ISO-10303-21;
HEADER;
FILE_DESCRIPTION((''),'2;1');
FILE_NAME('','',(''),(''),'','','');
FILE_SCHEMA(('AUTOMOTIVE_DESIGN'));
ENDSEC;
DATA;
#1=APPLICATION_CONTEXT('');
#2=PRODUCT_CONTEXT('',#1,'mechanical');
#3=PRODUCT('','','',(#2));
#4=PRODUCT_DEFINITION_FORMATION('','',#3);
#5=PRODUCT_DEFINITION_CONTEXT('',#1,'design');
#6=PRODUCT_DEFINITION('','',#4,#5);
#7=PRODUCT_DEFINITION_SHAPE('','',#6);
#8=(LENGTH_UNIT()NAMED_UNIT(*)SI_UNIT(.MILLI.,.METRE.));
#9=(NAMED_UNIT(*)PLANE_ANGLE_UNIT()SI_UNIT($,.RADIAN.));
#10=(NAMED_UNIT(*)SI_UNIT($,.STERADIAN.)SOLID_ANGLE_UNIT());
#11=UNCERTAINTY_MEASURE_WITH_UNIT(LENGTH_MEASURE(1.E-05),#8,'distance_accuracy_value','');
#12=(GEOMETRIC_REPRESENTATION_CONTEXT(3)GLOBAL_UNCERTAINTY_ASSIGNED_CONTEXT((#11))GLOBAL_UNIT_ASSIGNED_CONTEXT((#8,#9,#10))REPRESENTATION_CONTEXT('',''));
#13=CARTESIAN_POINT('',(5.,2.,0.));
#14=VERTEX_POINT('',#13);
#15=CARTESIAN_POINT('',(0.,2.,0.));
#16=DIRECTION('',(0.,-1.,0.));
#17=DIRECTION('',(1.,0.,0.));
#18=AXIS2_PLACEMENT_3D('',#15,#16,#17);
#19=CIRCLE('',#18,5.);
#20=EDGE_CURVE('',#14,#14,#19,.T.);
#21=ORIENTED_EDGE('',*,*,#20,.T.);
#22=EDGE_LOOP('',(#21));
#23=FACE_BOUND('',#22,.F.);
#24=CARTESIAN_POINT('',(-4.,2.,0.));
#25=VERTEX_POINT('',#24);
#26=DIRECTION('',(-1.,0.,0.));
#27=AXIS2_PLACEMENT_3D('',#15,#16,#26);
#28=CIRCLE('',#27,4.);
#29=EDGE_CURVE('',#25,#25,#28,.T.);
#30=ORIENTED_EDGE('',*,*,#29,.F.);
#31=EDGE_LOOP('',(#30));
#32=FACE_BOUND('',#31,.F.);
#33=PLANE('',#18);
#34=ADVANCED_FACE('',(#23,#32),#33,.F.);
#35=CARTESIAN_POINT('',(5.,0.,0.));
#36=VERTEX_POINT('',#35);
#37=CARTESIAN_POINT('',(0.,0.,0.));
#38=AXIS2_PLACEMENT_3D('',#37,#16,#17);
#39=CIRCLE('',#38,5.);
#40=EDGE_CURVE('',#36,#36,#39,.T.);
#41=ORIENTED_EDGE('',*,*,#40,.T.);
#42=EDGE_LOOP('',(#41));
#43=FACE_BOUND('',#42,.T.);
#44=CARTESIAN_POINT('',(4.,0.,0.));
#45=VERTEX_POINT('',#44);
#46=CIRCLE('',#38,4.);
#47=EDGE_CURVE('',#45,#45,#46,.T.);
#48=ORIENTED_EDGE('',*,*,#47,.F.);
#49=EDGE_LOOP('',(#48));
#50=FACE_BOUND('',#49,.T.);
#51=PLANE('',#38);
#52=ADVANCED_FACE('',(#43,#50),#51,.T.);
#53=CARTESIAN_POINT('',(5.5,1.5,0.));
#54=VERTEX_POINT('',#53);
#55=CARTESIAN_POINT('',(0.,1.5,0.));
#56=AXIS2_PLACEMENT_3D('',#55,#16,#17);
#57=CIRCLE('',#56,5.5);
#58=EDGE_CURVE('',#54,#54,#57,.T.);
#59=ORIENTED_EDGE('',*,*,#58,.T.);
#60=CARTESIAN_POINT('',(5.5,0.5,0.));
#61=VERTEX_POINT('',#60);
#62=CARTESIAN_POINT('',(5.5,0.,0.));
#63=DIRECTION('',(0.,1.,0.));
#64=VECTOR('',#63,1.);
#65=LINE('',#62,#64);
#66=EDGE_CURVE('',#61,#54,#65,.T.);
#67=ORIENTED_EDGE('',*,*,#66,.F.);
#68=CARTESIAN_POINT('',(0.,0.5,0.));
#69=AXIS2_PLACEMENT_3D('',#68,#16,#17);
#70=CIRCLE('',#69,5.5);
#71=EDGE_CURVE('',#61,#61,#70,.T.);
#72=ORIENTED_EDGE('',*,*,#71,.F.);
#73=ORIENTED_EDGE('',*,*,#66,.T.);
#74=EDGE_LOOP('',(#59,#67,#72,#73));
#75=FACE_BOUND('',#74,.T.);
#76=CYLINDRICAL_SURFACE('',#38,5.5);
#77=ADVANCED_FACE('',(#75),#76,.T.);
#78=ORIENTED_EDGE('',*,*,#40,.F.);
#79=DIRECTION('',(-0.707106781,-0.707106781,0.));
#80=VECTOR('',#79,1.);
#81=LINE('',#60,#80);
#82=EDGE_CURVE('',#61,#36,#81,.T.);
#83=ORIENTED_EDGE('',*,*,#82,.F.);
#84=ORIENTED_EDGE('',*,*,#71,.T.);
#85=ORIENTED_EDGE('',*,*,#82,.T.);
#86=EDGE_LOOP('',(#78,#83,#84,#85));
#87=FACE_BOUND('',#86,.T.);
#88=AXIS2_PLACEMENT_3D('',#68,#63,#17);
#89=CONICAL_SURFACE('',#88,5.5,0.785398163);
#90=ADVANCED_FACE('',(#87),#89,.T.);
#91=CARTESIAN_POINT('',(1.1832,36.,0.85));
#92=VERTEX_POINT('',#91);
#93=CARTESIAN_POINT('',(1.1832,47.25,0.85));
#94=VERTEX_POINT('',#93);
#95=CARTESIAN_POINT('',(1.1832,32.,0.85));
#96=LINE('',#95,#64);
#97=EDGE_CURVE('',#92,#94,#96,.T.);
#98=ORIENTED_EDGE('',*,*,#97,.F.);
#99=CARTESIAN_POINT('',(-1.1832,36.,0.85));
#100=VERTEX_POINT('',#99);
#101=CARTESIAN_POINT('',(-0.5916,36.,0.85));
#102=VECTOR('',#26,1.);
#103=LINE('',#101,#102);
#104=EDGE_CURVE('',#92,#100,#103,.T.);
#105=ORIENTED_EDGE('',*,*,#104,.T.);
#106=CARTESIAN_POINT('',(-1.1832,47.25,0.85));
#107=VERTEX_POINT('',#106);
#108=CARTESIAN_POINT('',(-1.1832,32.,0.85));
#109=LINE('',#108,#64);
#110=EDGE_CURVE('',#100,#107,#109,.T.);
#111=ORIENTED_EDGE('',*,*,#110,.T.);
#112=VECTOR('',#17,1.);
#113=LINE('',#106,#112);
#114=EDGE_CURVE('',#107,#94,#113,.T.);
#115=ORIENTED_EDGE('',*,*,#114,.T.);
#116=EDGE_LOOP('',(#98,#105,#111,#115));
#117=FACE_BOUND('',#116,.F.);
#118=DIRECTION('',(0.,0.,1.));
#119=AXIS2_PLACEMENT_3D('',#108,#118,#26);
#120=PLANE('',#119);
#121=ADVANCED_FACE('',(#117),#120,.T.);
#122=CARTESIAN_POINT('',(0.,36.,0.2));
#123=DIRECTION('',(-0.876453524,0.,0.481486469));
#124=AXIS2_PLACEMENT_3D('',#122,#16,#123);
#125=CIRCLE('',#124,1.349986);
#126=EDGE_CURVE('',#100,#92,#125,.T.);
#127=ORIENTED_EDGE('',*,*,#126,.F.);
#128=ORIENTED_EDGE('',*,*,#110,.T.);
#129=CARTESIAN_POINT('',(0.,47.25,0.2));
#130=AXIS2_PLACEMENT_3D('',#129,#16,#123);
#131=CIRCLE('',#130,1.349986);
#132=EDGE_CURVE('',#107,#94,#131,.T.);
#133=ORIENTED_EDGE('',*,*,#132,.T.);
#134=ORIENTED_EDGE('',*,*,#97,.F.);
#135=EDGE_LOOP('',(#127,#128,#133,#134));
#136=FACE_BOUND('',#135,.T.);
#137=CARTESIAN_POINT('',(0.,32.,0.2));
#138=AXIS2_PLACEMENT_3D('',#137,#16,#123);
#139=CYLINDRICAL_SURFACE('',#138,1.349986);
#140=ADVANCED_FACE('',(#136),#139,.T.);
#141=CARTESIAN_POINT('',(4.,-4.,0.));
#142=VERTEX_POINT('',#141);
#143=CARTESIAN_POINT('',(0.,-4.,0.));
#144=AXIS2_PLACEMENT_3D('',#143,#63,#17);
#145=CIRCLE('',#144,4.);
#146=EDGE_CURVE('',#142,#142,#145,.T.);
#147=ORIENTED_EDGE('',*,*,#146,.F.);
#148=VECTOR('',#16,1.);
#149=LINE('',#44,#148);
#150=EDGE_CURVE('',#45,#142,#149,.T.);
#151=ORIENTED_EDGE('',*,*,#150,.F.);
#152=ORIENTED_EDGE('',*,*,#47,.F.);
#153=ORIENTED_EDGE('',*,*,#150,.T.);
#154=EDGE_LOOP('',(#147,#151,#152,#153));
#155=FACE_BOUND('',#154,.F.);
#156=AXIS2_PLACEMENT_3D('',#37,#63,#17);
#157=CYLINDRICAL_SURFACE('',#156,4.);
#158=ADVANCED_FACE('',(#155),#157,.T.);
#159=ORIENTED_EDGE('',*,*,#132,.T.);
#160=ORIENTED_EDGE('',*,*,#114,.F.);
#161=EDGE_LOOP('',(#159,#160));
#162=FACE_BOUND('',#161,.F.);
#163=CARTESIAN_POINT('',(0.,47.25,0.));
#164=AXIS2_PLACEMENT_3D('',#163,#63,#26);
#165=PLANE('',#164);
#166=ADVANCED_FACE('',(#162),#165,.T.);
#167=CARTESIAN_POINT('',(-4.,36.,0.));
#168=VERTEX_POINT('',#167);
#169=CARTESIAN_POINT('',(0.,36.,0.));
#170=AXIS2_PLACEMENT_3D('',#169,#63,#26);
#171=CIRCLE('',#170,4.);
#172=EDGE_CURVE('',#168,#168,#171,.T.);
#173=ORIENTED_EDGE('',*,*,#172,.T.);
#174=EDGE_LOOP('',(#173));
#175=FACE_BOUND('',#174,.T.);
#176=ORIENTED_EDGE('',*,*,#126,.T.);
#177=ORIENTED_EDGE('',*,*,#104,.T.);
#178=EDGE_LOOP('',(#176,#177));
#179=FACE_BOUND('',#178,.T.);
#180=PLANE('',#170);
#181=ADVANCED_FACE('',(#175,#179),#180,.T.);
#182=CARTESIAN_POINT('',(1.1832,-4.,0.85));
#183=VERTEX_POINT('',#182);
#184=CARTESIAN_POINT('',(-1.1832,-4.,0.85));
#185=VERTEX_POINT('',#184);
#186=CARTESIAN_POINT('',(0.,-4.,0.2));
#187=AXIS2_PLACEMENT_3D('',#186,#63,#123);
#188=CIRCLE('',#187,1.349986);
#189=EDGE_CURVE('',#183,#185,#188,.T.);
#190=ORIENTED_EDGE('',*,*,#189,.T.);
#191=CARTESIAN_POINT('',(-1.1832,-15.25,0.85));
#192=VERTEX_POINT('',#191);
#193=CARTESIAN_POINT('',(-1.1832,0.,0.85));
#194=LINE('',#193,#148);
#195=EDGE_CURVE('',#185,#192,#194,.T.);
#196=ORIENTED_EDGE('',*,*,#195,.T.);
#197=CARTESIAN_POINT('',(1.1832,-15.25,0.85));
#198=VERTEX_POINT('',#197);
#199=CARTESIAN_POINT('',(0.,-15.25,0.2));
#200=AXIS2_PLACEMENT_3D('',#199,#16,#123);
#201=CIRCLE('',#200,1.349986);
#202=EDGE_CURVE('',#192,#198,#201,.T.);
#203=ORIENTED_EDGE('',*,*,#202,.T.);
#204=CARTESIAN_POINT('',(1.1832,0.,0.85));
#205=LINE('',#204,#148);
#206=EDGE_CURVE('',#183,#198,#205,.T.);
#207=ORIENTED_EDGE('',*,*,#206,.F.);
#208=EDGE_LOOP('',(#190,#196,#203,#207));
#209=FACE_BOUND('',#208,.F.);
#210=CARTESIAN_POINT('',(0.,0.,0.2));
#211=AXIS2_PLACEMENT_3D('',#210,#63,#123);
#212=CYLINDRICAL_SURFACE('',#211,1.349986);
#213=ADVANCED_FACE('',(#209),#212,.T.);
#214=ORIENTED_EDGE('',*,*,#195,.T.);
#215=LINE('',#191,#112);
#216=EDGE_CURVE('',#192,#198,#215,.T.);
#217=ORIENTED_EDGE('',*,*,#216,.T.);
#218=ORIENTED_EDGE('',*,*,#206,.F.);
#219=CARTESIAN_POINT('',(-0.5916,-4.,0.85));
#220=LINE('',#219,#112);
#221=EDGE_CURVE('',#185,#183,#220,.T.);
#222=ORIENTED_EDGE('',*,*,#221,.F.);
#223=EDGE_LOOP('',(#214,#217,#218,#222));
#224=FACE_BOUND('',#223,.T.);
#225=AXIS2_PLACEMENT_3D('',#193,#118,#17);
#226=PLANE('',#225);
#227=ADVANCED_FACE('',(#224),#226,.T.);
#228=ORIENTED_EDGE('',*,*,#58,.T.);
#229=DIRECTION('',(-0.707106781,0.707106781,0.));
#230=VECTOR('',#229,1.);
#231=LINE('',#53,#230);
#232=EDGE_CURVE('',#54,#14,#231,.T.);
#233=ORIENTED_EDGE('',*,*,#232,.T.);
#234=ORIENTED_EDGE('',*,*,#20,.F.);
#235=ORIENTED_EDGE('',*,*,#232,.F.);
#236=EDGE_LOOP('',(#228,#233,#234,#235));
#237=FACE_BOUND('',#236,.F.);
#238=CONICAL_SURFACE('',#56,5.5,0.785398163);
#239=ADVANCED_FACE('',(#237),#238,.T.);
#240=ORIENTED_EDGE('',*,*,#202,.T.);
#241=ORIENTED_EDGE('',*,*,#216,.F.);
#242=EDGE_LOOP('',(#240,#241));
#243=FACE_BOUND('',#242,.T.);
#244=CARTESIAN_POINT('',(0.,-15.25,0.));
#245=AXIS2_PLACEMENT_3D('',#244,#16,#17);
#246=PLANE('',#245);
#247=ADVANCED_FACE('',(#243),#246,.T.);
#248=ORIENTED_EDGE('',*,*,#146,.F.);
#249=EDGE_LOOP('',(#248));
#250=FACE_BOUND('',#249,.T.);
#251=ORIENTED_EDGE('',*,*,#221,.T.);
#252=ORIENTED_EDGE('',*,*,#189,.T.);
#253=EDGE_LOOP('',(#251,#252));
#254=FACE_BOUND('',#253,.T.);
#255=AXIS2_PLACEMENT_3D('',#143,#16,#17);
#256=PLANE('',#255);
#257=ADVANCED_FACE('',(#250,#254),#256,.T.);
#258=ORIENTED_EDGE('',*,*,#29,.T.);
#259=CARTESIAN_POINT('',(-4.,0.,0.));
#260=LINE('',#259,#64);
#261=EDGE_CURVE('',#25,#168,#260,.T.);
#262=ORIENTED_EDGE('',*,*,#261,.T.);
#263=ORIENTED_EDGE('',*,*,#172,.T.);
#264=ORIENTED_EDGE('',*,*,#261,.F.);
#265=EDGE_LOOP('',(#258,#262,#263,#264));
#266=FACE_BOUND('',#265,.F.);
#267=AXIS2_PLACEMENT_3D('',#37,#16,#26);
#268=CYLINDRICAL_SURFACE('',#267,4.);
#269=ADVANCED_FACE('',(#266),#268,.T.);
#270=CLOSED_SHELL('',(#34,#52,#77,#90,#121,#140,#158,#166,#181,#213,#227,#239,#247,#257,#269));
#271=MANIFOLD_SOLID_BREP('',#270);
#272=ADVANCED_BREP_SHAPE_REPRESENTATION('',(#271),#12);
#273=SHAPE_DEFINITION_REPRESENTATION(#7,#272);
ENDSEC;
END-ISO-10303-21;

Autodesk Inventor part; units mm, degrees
ref_plane "YZ Plane" through (0, 0, 0) normal (1, 0, 0) x (0, 1, 0)
ref_plane "XZ Plane" through (0, 0, 0) normal (0, 1, 0) x (-1, 0, 0)
sketch "Sketch1" plane through (0, 0, 0) normal (0, 1, 0) x (-1, 0, 0)
  circle A0 centre (0, 0) radius 4
  dimension "d0" = 8
extrude "Extrusion1" add sketch "Sketch1" along normal blind 36
sketch "Sketch3" plane through (0, 0, 0) normal (0, -1, 0) x (1, 0, 0)
  line L0 (-1.1832, 0.85) -> (1.1832, 0.85)
  arc A0 (-1.1832, 0.85) -> (1.1832, 0.85) centre (0, 0.2) ccw
  point P0 (0, 0)
  point P1 (0, 0)
  point P2 (0, 0.85)
  dimension "d16" = 1.35
  dimension "d17" = 0.2
  dimension "d39" = 2
extrude "Extrusion3" add sketch "Sketch3" along normal blind 15.25
sketch "Sketch5" plane through (0, 0, 0) normal (0, -1, 0) x (1, 0, 0)
  circle A0 centre (0, 0) radius 5.5
  dimension "d29" = 11
extrude "Extrusion5" add sketch "Sketch5" against normal blind 2
chamfer "Chamfer3" distance 0.5 angle 45 2 edges at (-5.5, 0, 0) (-5.5, 2, 0)
sketch "Sketch6" plane through (0, 0, 0) normal (0, -1, 0) x (1, 0, 0)
  circle A0 centre (0, 0) radius 5 projected
  line L0 (-7.7, 0) -> (7.7, 0) projected
  line L1 (0, -7.7) -> (0, 7.7) projected
  circle A1 centre (0, 0) radius 4
  dimension "d35" = 8
extrude "Extrusion6" add sketch "Sketch6" along normal blind 4 contours A1 L1 L0 | L0 L1 A1 | L1 L0 A1 | A1 L0 L1
ref_plane "Work Plane1" through (0, 16, 0) normal (0, 1, 0) x (1, 0, 0)
mirror "Mirror1" about plane through (0, 16, 0) normal (0, 1, 0) of "Extrusion3"
properties part number "axle-skibidi"
